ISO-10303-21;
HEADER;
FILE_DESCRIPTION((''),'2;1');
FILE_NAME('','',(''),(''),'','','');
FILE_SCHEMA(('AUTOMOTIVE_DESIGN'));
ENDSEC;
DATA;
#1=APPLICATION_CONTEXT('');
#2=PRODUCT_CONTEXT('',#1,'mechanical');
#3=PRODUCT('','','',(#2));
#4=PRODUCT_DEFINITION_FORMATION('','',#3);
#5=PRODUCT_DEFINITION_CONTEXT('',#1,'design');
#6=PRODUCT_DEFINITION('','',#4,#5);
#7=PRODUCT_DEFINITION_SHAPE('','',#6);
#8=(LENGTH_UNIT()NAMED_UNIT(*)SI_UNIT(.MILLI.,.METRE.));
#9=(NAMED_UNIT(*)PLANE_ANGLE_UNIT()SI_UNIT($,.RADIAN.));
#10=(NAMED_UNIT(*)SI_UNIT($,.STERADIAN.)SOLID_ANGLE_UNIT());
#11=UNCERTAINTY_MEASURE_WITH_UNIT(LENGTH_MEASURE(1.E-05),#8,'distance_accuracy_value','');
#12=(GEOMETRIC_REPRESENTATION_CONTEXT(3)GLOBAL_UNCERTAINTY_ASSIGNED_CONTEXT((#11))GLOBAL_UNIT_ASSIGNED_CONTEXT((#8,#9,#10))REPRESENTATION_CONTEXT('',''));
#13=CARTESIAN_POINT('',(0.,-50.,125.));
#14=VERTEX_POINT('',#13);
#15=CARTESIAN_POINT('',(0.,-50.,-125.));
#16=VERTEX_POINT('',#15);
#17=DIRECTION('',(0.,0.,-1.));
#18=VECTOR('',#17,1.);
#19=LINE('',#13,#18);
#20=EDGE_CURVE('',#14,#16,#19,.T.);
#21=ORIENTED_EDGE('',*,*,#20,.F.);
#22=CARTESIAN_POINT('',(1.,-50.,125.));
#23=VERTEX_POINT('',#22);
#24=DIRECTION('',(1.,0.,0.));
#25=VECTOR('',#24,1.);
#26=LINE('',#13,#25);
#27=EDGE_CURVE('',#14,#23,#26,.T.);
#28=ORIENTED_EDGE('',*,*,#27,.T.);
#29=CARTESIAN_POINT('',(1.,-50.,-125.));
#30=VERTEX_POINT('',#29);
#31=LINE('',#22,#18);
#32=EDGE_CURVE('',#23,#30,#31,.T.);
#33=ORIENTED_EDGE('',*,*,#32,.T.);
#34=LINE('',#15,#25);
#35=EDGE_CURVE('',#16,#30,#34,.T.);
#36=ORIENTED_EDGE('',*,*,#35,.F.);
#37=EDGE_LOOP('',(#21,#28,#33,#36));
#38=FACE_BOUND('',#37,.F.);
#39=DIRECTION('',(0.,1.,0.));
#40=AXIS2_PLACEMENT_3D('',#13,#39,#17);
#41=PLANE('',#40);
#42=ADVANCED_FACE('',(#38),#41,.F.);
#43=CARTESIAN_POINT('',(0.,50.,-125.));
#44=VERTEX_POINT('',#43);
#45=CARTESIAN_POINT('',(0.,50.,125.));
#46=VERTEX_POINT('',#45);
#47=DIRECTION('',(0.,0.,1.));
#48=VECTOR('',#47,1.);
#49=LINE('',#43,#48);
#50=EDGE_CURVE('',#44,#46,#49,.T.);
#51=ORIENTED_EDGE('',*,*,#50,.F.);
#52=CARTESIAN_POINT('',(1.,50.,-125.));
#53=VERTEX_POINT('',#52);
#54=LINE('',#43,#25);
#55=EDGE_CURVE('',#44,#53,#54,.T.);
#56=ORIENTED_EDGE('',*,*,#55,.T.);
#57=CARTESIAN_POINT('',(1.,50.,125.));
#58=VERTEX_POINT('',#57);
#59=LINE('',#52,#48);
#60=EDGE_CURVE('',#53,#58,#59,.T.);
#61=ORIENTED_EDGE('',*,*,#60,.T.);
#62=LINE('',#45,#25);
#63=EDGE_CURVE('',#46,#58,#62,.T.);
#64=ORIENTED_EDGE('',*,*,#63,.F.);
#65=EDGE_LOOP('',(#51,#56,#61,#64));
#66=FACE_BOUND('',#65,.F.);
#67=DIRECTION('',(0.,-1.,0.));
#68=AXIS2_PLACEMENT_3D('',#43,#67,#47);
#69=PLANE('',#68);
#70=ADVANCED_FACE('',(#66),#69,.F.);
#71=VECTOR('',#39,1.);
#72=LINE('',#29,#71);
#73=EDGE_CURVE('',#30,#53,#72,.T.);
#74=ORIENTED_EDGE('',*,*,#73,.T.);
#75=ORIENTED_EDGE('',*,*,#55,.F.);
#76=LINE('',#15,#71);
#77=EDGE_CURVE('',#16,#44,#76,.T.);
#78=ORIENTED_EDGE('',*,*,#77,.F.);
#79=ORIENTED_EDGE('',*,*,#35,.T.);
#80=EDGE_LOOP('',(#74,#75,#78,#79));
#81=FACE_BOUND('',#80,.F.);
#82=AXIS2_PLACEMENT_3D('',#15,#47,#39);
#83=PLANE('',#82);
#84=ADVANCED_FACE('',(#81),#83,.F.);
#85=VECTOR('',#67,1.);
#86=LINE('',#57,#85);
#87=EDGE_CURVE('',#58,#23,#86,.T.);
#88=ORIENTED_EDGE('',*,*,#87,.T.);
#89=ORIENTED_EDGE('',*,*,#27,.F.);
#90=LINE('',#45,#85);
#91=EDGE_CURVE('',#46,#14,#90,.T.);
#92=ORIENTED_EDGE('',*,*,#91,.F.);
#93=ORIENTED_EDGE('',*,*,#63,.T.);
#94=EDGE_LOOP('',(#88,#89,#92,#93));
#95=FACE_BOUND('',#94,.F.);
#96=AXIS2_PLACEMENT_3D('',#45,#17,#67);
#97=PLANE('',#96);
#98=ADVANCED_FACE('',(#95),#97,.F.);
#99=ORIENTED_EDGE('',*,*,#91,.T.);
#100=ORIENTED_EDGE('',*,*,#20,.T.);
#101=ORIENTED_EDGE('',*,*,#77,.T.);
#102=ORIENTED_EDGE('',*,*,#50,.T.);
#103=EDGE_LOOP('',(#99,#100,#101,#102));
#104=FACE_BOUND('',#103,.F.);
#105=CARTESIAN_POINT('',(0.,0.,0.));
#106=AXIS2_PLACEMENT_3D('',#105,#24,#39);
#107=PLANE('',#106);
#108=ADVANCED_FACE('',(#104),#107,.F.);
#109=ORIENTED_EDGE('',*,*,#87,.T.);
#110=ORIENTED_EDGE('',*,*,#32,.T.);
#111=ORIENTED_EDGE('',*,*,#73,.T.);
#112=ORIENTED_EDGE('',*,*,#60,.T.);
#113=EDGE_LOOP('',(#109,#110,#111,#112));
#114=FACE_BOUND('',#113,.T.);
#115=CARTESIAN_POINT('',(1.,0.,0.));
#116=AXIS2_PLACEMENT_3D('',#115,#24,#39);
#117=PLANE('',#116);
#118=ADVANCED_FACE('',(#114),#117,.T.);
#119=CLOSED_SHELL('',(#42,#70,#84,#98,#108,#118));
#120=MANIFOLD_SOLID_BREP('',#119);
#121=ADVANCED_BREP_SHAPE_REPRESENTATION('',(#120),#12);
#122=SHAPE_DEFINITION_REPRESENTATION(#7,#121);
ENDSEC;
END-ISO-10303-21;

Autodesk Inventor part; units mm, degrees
ref_plane "YZ Plane" through (0, 0, 0) normal (1, 0, 0) x (0, 1, 0)
ref_plane "XZ Plane" through (0, 0, 0) normal (0, 1, 0) x (-1, 0, 0)
ref_plane "XY Plane" through (0, 0, 0) normal (0, 0, 1) x (1, 0, 0)
sketch "Sketch1" plane through (0, 0, 0) normal (1, 0, 0) x (0, 1, 0)
  line L0 (50, 125) -> (-50, 125)
  line L1 (-50, 125) -> (-50, -125)
  line L2 (-50, -125) -> (50, -125)
  line L3 (50, -125) -> (50, 125)
  line L4 (50, 125) -> (-50, -125) construction
  line L5 (-50, 125) -> (50, -125) construction
  point P0 (0, 0)
  dimension "d0" = 100
  dimension "d1" = 250
extrude "Extrusion1" add sketch "Sketch1" along normal blind 1
properties part number "flat_barrier"
